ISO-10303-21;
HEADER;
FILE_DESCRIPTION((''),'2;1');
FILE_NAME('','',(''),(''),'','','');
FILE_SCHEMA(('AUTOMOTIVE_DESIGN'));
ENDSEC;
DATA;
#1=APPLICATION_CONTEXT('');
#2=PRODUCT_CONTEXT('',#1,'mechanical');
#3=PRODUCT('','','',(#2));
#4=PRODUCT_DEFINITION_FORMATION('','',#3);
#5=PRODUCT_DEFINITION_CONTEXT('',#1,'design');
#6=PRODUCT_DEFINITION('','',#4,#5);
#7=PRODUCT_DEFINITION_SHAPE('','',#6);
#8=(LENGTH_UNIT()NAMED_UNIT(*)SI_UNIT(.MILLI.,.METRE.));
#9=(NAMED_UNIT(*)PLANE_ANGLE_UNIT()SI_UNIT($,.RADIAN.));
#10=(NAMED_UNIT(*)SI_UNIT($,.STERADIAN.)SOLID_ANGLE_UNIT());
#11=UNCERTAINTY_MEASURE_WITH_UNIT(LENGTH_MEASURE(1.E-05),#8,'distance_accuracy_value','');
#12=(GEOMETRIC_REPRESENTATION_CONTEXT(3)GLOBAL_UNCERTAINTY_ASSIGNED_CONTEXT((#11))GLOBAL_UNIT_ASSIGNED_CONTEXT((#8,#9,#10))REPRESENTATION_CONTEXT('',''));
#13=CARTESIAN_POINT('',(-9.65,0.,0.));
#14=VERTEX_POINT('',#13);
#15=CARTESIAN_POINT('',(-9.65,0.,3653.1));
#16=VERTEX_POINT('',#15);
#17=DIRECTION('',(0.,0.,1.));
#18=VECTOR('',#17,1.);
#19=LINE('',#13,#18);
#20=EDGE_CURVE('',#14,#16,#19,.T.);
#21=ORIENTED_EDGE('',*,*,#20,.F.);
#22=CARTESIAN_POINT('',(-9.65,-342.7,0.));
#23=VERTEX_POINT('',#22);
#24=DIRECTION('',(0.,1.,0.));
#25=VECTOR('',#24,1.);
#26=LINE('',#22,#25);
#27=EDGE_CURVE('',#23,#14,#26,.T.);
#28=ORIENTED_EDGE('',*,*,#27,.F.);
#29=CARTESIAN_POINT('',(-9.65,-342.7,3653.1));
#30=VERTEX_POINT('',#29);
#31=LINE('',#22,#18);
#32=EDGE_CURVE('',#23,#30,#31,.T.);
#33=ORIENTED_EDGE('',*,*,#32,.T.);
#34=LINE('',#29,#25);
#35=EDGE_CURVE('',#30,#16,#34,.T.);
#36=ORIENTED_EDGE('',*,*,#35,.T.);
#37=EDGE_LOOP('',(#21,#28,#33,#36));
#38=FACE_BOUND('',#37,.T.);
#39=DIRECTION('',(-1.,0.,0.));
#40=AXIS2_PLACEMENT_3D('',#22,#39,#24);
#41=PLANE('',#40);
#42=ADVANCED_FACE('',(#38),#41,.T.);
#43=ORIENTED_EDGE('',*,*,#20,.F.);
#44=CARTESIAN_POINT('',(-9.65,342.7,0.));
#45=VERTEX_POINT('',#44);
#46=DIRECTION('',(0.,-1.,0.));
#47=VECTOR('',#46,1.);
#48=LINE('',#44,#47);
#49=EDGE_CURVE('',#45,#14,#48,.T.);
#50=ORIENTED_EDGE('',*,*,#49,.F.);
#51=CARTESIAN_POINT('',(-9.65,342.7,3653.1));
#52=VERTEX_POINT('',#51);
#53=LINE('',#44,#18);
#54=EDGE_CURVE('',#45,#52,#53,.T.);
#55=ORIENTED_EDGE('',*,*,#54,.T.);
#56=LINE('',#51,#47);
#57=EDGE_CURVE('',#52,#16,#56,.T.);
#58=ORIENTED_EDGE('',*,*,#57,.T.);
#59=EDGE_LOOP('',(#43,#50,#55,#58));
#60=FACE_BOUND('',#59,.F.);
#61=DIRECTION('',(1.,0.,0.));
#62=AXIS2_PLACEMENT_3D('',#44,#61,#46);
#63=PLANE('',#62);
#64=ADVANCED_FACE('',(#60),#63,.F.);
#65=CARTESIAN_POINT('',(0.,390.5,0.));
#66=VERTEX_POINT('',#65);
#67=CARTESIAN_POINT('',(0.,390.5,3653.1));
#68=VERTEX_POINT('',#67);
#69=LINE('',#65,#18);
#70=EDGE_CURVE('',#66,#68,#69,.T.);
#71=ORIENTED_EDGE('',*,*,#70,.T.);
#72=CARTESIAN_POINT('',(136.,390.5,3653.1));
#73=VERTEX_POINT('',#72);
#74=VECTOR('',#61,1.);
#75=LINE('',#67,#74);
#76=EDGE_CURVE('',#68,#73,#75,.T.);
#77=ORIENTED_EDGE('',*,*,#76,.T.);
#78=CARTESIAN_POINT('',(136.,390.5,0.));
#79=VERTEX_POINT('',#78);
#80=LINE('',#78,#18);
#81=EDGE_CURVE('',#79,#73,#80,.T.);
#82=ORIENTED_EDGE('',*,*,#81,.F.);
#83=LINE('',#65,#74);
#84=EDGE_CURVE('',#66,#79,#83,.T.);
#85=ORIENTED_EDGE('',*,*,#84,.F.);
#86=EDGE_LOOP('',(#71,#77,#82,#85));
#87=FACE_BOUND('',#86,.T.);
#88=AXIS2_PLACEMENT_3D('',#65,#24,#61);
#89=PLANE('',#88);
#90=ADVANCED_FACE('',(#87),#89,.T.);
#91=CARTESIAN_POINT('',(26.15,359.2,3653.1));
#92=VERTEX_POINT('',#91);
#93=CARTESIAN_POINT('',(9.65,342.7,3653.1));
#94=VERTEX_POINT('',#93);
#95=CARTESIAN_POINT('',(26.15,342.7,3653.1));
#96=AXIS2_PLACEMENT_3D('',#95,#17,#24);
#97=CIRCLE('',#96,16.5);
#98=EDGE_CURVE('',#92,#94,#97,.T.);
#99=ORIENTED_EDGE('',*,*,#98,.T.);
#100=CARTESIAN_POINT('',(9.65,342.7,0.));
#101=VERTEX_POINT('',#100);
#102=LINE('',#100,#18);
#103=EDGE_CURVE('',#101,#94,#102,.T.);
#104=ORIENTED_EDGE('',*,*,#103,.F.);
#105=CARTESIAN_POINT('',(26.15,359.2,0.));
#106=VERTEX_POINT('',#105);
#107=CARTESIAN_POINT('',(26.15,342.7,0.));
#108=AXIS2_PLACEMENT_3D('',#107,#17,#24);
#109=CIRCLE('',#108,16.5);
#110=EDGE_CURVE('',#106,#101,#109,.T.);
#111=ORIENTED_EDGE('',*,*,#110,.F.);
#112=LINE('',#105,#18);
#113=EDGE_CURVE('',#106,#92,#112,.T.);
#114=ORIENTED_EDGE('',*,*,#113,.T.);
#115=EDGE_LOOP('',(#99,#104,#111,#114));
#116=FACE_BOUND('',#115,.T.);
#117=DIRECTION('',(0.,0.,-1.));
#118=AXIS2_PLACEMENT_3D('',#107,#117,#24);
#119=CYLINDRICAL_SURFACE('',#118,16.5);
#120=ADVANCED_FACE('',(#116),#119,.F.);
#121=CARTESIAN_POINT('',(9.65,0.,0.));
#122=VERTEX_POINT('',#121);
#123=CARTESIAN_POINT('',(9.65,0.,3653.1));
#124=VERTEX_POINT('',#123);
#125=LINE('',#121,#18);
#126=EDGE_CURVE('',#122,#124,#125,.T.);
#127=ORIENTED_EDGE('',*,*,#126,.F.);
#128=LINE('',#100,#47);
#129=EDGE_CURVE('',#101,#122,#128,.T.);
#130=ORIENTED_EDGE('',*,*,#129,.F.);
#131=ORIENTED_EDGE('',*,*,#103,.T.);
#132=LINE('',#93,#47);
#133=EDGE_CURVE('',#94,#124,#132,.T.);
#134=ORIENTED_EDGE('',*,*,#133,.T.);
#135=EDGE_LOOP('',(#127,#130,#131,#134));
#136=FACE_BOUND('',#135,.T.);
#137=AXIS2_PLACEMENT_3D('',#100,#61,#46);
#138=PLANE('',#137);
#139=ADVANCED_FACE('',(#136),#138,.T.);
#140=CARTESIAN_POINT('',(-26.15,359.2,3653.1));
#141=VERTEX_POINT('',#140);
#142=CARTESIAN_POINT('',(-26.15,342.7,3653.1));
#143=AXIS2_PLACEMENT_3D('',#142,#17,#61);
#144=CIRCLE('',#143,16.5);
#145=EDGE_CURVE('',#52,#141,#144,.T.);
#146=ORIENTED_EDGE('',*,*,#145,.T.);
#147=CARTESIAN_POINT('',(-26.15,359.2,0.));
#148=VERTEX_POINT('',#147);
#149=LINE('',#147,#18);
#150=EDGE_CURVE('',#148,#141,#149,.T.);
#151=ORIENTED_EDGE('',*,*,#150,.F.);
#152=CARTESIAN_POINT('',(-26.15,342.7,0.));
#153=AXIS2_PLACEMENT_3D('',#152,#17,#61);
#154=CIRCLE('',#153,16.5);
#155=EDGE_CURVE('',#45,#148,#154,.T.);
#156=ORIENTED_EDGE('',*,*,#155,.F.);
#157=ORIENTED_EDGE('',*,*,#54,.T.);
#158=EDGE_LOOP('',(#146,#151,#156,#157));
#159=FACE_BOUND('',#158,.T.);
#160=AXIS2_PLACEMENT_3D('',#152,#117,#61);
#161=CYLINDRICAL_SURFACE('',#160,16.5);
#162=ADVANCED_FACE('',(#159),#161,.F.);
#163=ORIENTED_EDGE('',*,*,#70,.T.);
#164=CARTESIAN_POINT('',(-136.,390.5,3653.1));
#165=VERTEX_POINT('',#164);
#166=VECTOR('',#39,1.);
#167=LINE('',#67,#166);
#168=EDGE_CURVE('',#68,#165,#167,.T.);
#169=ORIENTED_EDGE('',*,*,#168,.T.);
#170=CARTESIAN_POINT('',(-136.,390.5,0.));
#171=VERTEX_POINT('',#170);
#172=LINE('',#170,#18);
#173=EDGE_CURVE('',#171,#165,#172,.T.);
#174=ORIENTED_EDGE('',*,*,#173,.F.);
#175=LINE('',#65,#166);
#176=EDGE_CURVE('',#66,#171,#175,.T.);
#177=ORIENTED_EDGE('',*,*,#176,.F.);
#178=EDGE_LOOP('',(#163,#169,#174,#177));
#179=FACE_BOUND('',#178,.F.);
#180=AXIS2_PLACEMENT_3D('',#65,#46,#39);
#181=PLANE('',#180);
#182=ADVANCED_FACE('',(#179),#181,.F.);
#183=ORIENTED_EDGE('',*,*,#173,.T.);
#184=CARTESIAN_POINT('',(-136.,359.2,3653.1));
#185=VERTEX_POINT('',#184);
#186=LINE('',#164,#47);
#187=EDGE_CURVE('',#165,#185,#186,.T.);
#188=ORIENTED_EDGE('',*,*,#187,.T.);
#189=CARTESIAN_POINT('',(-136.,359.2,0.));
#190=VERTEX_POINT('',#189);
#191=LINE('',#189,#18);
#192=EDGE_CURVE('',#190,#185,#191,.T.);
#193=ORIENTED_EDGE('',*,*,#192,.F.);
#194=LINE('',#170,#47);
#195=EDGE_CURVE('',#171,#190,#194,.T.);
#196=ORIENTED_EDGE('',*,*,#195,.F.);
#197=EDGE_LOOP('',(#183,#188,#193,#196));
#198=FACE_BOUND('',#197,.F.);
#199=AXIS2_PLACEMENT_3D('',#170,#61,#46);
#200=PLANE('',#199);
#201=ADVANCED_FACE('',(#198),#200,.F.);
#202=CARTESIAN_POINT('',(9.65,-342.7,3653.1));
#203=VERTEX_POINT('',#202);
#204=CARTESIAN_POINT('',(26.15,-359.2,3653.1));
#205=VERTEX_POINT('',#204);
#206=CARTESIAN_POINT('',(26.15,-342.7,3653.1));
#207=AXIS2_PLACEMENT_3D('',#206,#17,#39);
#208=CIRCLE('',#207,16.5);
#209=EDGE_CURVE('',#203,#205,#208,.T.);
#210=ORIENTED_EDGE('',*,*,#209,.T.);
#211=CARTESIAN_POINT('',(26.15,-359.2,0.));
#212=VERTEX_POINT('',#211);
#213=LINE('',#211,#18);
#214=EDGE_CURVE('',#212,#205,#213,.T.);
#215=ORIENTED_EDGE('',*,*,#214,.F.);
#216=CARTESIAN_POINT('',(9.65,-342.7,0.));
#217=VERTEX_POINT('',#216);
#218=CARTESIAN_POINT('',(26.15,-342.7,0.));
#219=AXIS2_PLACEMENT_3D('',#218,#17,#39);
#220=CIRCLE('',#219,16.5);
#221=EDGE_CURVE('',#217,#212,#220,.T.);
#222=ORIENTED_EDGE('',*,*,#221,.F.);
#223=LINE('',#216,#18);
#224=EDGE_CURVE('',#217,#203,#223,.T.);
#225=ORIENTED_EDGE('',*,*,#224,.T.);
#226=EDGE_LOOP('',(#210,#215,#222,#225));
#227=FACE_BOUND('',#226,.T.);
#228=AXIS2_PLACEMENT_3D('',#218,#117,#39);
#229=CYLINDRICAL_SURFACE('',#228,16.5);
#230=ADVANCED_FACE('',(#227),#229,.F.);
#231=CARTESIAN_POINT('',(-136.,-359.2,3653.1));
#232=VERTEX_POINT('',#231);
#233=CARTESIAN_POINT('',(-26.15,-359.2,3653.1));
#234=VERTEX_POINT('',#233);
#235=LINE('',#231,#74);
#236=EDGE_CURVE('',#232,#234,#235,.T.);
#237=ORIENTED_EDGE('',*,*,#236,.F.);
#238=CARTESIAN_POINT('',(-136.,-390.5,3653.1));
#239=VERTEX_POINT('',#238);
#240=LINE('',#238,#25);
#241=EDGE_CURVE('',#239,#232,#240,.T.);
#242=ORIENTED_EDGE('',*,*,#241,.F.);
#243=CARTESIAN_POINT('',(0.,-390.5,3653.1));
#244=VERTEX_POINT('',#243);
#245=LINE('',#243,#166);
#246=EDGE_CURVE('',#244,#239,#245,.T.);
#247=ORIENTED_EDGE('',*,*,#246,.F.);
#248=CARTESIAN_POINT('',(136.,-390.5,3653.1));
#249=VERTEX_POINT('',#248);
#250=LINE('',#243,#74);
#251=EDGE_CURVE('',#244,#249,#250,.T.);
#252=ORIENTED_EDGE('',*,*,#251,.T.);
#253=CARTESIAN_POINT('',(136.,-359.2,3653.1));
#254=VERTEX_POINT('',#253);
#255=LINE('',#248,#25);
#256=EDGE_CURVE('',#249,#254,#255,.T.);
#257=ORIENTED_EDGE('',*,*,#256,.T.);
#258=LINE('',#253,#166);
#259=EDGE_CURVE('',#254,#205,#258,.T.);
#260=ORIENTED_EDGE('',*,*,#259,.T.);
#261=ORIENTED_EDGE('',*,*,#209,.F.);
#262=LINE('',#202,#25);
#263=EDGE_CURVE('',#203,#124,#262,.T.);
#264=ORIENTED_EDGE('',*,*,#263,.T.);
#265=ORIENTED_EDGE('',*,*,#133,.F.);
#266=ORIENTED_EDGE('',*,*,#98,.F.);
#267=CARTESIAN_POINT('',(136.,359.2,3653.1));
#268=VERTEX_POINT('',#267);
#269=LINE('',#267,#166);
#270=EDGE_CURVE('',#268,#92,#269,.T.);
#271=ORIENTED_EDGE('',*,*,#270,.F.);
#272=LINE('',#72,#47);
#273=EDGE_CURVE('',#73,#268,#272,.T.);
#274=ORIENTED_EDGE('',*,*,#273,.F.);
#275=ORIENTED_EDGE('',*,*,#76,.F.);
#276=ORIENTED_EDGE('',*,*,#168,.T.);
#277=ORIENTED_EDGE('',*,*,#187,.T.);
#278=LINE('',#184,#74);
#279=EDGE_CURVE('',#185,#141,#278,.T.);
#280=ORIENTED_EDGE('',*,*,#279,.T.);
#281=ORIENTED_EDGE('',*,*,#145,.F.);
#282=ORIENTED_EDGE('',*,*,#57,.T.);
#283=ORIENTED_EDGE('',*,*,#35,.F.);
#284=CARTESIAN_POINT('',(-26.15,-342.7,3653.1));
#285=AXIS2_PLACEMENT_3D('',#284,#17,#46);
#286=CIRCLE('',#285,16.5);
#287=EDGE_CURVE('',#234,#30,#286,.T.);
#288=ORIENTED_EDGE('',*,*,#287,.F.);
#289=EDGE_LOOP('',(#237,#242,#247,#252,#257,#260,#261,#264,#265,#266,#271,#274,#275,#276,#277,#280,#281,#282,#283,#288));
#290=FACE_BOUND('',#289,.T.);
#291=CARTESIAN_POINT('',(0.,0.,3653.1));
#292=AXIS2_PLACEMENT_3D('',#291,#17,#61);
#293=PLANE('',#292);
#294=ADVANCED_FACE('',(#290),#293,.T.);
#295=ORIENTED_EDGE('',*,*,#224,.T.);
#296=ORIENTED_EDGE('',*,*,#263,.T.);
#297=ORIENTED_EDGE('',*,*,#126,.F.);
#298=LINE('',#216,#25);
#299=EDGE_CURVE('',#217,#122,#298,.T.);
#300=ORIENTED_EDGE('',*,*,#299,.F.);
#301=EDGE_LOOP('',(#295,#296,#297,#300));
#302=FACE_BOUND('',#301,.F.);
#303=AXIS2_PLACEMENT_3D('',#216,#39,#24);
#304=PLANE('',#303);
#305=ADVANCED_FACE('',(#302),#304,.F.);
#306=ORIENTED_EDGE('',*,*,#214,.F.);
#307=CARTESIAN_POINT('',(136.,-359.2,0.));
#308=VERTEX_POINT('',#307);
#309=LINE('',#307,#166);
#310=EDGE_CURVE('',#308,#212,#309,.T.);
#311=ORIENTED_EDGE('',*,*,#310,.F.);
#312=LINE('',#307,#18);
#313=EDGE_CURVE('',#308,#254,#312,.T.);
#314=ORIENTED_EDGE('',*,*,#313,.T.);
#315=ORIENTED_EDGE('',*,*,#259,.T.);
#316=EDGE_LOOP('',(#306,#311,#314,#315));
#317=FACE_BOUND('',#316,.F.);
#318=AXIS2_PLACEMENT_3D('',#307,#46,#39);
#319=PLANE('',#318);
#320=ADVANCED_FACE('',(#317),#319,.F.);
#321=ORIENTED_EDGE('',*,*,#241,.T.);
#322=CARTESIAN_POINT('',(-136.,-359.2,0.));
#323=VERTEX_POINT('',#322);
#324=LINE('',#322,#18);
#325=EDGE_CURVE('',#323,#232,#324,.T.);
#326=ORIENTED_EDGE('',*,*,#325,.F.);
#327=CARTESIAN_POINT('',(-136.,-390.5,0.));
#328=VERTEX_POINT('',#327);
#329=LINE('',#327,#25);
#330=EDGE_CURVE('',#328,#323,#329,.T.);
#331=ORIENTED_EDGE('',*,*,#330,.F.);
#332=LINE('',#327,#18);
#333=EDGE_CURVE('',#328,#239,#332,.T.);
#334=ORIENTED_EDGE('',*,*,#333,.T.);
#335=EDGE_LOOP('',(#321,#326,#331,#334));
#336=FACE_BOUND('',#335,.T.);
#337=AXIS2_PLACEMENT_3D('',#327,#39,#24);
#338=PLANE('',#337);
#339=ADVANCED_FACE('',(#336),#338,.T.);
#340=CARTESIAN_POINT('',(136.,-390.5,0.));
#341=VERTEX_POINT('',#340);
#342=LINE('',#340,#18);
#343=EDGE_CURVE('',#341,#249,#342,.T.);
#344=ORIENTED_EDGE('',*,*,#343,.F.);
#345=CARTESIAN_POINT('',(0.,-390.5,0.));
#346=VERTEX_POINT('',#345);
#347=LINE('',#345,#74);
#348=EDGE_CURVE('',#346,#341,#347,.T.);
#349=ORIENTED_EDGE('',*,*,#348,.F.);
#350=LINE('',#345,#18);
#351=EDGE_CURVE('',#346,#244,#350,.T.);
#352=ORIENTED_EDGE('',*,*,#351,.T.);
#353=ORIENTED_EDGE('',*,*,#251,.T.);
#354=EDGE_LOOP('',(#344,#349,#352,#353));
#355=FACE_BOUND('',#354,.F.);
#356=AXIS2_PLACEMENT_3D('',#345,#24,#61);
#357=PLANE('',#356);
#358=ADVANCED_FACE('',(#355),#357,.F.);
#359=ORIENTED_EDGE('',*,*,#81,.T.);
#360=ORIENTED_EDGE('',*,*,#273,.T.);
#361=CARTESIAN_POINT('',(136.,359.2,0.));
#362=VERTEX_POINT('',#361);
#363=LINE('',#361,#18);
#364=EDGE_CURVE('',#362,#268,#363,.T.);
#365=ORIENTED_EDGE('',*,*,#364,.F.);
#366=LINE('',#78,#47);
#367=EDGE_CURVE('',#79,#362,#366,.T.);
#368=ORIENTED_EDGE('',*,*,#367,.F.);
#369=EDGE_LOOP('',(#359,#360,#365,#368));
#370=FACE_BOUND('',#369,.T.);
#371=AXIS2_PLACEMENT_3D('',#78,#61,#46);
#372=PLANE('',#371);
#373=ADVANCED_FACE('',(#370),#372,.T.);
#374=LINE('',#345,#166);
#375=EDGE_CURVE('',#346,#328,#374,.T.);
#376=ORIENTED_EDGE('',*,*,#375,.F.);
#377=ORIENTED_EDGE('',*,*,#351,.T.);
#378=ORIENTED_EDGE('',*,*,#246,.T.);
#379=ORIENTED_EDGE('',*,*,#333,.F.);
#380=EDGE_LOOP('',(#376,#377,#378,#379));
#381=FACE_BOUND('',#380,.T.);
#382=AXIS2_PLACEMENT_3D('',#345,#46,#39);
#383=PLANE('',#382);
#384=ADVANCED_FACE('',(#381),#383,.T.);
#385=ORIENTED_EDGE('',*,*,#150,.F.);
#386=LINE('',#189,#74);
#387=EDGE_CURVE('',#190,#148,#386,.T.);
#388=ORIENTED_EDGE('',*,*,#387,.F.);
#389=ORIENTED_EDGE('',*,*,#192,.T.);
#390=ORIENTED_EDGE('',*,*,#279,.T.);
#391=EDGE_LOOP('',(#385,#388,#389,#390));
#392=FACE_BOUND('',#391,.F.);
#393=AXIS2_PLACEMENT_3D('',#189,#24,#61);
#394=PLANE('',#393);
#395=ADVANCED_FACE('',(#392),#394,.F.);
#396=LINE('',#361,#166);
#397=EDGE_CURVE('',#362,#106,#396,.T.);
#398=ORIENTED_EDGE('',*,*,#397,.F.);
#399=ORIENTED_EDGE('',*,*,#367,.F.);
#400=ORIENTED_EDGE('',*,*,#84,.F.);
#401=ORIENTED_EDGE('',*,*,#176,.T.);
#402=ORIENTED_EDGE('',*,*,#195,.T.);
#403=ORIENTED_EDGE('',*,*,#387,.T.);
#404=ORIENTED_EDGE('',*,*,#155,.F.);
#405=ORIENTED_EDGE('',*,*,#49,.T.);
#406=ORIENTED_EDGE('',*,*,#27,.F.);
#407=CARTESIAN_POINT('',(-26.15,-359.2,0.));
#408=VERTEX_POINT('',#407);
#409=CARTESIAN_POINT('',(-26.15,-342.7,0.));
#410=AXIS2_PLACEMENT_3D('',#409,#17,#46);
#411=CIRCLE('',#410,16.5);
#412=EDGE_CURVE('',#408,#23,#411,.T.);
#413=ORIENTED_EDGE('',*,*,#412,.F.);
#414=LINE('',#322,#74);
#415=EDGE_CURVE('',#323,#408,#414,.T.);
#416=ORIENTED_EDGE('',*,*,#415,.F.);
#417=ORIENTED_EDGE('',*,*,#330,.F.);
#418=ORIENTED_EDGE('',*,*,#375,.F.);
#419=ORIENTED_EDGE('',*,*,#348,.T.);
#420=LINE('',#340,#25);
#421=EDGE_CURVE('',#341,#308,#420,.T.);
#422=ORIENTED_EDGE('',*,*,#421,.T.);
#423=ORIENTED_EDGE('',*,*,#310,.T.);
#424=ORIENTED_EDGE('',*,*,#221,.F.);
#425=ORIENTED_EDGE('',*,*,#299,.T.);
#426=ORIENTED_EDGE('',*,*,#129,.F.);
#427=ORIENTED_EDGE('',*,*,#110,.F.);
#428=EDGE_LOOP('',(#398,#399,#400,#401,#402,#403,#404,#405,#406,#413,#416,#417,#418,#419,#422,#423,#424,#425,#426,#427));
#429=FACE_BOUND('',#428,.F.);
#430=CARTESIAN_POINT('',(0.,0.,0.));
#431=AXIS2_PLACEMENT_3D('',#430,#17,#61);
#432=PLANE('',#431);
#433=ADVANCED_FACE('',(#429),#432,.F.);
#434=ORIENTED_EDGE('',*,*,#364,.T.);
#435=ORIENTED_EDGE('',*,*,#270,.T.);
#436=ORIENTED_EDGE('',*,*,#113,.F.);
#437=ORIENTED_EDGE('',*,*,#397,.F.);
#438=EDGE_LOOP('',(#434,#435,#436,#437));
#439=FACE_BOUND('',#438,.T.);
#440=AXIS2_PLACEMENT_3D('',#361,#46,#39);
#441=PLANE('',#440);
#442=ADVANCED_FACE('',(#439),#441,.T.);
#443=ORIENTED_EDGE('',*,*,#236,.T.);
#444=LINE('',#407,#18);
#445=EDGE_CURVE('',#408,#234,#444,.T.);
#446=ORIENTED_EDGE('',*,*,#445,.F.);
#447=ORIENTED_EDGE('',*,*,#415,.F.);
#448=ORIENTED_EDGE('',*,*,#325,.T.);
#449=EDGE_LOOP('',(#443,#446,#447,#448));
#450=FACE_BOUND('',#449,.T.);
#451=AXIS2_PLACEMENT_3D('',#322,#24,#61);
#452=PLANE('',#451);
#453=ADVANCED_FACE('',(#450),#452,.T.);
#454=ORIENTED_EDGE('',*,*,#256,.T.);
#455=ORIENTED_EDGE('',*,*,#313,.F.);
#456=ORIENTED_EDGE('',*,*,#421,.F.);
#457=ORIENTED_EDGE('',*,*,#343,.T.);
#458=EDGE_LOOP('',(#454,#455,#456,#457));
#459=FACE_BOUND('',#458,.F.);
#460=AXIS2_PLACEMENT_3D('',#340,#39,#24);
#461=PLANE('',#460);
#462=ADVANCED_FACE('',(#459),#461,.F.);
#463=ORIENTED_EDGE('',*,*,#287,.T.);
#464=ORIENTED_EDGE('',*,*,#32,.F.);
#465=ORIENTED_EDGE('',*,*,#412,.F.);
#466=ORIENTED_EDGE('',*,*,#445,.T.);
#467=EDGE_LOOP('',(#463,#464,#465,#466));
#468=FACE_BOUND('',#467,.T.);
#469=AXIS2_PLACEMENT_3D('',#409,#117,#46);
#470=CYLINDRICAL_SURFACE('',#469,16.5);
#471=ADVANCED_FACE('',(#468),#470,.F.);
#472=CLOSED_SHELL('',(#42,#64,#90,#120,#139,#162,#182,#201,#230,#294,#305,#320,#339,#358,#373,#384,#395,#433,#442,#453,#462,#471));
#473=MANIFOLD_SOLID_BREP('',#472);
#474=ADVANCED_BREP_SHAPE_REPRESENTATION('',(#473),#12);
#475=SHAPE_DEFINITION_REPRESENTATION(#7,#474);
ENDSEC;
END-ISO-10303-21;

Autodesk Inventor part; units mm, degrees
ref_plane "YZ Plane" through (0, 0, 0) normal (1, 0, 0) x (0, 1, 0)
ref_plane "Start plane" through (0, 0, 0) normal (0, 0, 1) x (1, 0, 0)
ref_plane "End plane" through (0, 0, 3653.1) normal (0, 0, 1) x (1, 0, 0)
sketch "Sketch" plane through (0, 0, 0) normal (0, 0, 1) x (1, 0, 0)
  line L0 (-136, -390.5) -> (-136, -359.2)
  line L1 (-136, -359.2) -> (-26.15, -359.2)
  line L2 (-9.65, -342.7) -> (-9.65, 0)
  line L3 (-9.65, 0) -> (0, 0) construction
  line L4 (0, 0) -> (0, -390.5) construction
  line L5 (0, -390.5) -> (-136, -390.5)
  line L6 (-60, 0) -> (80, 0) construction
  line L7 (0, -60) -> (0, 80) construction
  line L8 (136, -390.5) -> (136, -359.2)
  line L9 (136, -359.2) -> (26.15, -359.2)
  line L10 (9.65, -342.7) -> (9.65, 0)
  line L11 (9.65, 0) -> (0, 0) construction
  line L12 (0, -390.5) -> (136, -390.5)
  line L13 (-136, 390.5) -> (-136, 359.2)
  line L14 (-136, 359.2) -> (-26.15, 359.2)
  line L15 (-9.65, 342.7) -> (-9.65, 0)
  line L16 (0, 390.5) -> (-136, 390.5)
  line L17 (136, 390.5) -> (136, 359.2)
  line L18 (136, 359.2) -> (26.15, 359.2)
  line L19 (0, 390.5) -> (136, 390.5)
  line L20 (9.65, 342.7) -> (9.65, 0)
  arc A0 (-9.65, 342.7) -> (-26.15, 359.2) centre (-26.15, 342.7) ccw
  arc A1 (26.15, 359.2) -> (9.65, 342.7) centre (26.15, 342.7) ccw
  arc A2 (9.65, -342.7) -> (26.15, -359.2) centre (26.15, -342.7) ccw
  arc A3 (-26.15, -359.2) -> (-9.65, -342.7) centre (-26.15, -342.7) ccw
  line L21 (0, 108) -> (0, -88) construction
  line L22 (-88, 0) -> (108, 0) construction
  point P0 (-9.65, -359.2)
  point P1 (9.65, -359.2)
  point P2 (-9.65, 359.2)
  point P3 (9.65, 359.2)
  dimension "d1" = 390.5
  dimension "d2" = 31.3
  dimension "d3" = 136
  dimension "d4" = 9.65
  dimension "d10" = 16.5
extrude "Body" add sketch "Sketch" along normal up to surface (3653.1 mm away) from surface at 0
sketch "Sketch4" plane through (0, 0, 0) normal (0, 0, 1) x (1, 0, 0)
  line L0 (0, 0) -> (10, 0)
ref_plane "Work Plane3" through (0, 0, 0) normal (0, -1, 0) x (1, 0, 0)
sketch "Sketch5" plane through (0, 0, 0) normal (0, -1, 0) x (1, 0, 0)
  line L0 (-2, 0) -> (12, 0) projected
  line L1 (-2, 3653.1) -> (12, 3653.1) projected
  dimension "d14" = 3653.1
equation "\"d1\" = 0.5 * G_H"
equation "\"d2\" = G_T1"
equation "\"d3\" = 0.5 * G_W"
equation "\"d4\" = 0.5 * G_T"
equation "\"d10\" = G_IR"
equation "\"d5\" = G_L"
equation "\"G_W\" = 272"
equation "\"G_H\" = 781"
equation "\"G_T\" = 19.3"
equation "\"G_T1\" = 31.3"
equation "\"G_IR\" = 16.5"
equation "\"G_L\" = d14"
equation "\"G_OFFSET_START\" = 0"
equation "\"G_OFFSET_END\" = 0"
equation "\"d12\" = G_OFFSET_END + B_L"
equation "\"B_L\" = 3653.1"
properties part number "AS 3679-1990 - 760 UB - 244 - 3653.1" material "Steel, Mild"
